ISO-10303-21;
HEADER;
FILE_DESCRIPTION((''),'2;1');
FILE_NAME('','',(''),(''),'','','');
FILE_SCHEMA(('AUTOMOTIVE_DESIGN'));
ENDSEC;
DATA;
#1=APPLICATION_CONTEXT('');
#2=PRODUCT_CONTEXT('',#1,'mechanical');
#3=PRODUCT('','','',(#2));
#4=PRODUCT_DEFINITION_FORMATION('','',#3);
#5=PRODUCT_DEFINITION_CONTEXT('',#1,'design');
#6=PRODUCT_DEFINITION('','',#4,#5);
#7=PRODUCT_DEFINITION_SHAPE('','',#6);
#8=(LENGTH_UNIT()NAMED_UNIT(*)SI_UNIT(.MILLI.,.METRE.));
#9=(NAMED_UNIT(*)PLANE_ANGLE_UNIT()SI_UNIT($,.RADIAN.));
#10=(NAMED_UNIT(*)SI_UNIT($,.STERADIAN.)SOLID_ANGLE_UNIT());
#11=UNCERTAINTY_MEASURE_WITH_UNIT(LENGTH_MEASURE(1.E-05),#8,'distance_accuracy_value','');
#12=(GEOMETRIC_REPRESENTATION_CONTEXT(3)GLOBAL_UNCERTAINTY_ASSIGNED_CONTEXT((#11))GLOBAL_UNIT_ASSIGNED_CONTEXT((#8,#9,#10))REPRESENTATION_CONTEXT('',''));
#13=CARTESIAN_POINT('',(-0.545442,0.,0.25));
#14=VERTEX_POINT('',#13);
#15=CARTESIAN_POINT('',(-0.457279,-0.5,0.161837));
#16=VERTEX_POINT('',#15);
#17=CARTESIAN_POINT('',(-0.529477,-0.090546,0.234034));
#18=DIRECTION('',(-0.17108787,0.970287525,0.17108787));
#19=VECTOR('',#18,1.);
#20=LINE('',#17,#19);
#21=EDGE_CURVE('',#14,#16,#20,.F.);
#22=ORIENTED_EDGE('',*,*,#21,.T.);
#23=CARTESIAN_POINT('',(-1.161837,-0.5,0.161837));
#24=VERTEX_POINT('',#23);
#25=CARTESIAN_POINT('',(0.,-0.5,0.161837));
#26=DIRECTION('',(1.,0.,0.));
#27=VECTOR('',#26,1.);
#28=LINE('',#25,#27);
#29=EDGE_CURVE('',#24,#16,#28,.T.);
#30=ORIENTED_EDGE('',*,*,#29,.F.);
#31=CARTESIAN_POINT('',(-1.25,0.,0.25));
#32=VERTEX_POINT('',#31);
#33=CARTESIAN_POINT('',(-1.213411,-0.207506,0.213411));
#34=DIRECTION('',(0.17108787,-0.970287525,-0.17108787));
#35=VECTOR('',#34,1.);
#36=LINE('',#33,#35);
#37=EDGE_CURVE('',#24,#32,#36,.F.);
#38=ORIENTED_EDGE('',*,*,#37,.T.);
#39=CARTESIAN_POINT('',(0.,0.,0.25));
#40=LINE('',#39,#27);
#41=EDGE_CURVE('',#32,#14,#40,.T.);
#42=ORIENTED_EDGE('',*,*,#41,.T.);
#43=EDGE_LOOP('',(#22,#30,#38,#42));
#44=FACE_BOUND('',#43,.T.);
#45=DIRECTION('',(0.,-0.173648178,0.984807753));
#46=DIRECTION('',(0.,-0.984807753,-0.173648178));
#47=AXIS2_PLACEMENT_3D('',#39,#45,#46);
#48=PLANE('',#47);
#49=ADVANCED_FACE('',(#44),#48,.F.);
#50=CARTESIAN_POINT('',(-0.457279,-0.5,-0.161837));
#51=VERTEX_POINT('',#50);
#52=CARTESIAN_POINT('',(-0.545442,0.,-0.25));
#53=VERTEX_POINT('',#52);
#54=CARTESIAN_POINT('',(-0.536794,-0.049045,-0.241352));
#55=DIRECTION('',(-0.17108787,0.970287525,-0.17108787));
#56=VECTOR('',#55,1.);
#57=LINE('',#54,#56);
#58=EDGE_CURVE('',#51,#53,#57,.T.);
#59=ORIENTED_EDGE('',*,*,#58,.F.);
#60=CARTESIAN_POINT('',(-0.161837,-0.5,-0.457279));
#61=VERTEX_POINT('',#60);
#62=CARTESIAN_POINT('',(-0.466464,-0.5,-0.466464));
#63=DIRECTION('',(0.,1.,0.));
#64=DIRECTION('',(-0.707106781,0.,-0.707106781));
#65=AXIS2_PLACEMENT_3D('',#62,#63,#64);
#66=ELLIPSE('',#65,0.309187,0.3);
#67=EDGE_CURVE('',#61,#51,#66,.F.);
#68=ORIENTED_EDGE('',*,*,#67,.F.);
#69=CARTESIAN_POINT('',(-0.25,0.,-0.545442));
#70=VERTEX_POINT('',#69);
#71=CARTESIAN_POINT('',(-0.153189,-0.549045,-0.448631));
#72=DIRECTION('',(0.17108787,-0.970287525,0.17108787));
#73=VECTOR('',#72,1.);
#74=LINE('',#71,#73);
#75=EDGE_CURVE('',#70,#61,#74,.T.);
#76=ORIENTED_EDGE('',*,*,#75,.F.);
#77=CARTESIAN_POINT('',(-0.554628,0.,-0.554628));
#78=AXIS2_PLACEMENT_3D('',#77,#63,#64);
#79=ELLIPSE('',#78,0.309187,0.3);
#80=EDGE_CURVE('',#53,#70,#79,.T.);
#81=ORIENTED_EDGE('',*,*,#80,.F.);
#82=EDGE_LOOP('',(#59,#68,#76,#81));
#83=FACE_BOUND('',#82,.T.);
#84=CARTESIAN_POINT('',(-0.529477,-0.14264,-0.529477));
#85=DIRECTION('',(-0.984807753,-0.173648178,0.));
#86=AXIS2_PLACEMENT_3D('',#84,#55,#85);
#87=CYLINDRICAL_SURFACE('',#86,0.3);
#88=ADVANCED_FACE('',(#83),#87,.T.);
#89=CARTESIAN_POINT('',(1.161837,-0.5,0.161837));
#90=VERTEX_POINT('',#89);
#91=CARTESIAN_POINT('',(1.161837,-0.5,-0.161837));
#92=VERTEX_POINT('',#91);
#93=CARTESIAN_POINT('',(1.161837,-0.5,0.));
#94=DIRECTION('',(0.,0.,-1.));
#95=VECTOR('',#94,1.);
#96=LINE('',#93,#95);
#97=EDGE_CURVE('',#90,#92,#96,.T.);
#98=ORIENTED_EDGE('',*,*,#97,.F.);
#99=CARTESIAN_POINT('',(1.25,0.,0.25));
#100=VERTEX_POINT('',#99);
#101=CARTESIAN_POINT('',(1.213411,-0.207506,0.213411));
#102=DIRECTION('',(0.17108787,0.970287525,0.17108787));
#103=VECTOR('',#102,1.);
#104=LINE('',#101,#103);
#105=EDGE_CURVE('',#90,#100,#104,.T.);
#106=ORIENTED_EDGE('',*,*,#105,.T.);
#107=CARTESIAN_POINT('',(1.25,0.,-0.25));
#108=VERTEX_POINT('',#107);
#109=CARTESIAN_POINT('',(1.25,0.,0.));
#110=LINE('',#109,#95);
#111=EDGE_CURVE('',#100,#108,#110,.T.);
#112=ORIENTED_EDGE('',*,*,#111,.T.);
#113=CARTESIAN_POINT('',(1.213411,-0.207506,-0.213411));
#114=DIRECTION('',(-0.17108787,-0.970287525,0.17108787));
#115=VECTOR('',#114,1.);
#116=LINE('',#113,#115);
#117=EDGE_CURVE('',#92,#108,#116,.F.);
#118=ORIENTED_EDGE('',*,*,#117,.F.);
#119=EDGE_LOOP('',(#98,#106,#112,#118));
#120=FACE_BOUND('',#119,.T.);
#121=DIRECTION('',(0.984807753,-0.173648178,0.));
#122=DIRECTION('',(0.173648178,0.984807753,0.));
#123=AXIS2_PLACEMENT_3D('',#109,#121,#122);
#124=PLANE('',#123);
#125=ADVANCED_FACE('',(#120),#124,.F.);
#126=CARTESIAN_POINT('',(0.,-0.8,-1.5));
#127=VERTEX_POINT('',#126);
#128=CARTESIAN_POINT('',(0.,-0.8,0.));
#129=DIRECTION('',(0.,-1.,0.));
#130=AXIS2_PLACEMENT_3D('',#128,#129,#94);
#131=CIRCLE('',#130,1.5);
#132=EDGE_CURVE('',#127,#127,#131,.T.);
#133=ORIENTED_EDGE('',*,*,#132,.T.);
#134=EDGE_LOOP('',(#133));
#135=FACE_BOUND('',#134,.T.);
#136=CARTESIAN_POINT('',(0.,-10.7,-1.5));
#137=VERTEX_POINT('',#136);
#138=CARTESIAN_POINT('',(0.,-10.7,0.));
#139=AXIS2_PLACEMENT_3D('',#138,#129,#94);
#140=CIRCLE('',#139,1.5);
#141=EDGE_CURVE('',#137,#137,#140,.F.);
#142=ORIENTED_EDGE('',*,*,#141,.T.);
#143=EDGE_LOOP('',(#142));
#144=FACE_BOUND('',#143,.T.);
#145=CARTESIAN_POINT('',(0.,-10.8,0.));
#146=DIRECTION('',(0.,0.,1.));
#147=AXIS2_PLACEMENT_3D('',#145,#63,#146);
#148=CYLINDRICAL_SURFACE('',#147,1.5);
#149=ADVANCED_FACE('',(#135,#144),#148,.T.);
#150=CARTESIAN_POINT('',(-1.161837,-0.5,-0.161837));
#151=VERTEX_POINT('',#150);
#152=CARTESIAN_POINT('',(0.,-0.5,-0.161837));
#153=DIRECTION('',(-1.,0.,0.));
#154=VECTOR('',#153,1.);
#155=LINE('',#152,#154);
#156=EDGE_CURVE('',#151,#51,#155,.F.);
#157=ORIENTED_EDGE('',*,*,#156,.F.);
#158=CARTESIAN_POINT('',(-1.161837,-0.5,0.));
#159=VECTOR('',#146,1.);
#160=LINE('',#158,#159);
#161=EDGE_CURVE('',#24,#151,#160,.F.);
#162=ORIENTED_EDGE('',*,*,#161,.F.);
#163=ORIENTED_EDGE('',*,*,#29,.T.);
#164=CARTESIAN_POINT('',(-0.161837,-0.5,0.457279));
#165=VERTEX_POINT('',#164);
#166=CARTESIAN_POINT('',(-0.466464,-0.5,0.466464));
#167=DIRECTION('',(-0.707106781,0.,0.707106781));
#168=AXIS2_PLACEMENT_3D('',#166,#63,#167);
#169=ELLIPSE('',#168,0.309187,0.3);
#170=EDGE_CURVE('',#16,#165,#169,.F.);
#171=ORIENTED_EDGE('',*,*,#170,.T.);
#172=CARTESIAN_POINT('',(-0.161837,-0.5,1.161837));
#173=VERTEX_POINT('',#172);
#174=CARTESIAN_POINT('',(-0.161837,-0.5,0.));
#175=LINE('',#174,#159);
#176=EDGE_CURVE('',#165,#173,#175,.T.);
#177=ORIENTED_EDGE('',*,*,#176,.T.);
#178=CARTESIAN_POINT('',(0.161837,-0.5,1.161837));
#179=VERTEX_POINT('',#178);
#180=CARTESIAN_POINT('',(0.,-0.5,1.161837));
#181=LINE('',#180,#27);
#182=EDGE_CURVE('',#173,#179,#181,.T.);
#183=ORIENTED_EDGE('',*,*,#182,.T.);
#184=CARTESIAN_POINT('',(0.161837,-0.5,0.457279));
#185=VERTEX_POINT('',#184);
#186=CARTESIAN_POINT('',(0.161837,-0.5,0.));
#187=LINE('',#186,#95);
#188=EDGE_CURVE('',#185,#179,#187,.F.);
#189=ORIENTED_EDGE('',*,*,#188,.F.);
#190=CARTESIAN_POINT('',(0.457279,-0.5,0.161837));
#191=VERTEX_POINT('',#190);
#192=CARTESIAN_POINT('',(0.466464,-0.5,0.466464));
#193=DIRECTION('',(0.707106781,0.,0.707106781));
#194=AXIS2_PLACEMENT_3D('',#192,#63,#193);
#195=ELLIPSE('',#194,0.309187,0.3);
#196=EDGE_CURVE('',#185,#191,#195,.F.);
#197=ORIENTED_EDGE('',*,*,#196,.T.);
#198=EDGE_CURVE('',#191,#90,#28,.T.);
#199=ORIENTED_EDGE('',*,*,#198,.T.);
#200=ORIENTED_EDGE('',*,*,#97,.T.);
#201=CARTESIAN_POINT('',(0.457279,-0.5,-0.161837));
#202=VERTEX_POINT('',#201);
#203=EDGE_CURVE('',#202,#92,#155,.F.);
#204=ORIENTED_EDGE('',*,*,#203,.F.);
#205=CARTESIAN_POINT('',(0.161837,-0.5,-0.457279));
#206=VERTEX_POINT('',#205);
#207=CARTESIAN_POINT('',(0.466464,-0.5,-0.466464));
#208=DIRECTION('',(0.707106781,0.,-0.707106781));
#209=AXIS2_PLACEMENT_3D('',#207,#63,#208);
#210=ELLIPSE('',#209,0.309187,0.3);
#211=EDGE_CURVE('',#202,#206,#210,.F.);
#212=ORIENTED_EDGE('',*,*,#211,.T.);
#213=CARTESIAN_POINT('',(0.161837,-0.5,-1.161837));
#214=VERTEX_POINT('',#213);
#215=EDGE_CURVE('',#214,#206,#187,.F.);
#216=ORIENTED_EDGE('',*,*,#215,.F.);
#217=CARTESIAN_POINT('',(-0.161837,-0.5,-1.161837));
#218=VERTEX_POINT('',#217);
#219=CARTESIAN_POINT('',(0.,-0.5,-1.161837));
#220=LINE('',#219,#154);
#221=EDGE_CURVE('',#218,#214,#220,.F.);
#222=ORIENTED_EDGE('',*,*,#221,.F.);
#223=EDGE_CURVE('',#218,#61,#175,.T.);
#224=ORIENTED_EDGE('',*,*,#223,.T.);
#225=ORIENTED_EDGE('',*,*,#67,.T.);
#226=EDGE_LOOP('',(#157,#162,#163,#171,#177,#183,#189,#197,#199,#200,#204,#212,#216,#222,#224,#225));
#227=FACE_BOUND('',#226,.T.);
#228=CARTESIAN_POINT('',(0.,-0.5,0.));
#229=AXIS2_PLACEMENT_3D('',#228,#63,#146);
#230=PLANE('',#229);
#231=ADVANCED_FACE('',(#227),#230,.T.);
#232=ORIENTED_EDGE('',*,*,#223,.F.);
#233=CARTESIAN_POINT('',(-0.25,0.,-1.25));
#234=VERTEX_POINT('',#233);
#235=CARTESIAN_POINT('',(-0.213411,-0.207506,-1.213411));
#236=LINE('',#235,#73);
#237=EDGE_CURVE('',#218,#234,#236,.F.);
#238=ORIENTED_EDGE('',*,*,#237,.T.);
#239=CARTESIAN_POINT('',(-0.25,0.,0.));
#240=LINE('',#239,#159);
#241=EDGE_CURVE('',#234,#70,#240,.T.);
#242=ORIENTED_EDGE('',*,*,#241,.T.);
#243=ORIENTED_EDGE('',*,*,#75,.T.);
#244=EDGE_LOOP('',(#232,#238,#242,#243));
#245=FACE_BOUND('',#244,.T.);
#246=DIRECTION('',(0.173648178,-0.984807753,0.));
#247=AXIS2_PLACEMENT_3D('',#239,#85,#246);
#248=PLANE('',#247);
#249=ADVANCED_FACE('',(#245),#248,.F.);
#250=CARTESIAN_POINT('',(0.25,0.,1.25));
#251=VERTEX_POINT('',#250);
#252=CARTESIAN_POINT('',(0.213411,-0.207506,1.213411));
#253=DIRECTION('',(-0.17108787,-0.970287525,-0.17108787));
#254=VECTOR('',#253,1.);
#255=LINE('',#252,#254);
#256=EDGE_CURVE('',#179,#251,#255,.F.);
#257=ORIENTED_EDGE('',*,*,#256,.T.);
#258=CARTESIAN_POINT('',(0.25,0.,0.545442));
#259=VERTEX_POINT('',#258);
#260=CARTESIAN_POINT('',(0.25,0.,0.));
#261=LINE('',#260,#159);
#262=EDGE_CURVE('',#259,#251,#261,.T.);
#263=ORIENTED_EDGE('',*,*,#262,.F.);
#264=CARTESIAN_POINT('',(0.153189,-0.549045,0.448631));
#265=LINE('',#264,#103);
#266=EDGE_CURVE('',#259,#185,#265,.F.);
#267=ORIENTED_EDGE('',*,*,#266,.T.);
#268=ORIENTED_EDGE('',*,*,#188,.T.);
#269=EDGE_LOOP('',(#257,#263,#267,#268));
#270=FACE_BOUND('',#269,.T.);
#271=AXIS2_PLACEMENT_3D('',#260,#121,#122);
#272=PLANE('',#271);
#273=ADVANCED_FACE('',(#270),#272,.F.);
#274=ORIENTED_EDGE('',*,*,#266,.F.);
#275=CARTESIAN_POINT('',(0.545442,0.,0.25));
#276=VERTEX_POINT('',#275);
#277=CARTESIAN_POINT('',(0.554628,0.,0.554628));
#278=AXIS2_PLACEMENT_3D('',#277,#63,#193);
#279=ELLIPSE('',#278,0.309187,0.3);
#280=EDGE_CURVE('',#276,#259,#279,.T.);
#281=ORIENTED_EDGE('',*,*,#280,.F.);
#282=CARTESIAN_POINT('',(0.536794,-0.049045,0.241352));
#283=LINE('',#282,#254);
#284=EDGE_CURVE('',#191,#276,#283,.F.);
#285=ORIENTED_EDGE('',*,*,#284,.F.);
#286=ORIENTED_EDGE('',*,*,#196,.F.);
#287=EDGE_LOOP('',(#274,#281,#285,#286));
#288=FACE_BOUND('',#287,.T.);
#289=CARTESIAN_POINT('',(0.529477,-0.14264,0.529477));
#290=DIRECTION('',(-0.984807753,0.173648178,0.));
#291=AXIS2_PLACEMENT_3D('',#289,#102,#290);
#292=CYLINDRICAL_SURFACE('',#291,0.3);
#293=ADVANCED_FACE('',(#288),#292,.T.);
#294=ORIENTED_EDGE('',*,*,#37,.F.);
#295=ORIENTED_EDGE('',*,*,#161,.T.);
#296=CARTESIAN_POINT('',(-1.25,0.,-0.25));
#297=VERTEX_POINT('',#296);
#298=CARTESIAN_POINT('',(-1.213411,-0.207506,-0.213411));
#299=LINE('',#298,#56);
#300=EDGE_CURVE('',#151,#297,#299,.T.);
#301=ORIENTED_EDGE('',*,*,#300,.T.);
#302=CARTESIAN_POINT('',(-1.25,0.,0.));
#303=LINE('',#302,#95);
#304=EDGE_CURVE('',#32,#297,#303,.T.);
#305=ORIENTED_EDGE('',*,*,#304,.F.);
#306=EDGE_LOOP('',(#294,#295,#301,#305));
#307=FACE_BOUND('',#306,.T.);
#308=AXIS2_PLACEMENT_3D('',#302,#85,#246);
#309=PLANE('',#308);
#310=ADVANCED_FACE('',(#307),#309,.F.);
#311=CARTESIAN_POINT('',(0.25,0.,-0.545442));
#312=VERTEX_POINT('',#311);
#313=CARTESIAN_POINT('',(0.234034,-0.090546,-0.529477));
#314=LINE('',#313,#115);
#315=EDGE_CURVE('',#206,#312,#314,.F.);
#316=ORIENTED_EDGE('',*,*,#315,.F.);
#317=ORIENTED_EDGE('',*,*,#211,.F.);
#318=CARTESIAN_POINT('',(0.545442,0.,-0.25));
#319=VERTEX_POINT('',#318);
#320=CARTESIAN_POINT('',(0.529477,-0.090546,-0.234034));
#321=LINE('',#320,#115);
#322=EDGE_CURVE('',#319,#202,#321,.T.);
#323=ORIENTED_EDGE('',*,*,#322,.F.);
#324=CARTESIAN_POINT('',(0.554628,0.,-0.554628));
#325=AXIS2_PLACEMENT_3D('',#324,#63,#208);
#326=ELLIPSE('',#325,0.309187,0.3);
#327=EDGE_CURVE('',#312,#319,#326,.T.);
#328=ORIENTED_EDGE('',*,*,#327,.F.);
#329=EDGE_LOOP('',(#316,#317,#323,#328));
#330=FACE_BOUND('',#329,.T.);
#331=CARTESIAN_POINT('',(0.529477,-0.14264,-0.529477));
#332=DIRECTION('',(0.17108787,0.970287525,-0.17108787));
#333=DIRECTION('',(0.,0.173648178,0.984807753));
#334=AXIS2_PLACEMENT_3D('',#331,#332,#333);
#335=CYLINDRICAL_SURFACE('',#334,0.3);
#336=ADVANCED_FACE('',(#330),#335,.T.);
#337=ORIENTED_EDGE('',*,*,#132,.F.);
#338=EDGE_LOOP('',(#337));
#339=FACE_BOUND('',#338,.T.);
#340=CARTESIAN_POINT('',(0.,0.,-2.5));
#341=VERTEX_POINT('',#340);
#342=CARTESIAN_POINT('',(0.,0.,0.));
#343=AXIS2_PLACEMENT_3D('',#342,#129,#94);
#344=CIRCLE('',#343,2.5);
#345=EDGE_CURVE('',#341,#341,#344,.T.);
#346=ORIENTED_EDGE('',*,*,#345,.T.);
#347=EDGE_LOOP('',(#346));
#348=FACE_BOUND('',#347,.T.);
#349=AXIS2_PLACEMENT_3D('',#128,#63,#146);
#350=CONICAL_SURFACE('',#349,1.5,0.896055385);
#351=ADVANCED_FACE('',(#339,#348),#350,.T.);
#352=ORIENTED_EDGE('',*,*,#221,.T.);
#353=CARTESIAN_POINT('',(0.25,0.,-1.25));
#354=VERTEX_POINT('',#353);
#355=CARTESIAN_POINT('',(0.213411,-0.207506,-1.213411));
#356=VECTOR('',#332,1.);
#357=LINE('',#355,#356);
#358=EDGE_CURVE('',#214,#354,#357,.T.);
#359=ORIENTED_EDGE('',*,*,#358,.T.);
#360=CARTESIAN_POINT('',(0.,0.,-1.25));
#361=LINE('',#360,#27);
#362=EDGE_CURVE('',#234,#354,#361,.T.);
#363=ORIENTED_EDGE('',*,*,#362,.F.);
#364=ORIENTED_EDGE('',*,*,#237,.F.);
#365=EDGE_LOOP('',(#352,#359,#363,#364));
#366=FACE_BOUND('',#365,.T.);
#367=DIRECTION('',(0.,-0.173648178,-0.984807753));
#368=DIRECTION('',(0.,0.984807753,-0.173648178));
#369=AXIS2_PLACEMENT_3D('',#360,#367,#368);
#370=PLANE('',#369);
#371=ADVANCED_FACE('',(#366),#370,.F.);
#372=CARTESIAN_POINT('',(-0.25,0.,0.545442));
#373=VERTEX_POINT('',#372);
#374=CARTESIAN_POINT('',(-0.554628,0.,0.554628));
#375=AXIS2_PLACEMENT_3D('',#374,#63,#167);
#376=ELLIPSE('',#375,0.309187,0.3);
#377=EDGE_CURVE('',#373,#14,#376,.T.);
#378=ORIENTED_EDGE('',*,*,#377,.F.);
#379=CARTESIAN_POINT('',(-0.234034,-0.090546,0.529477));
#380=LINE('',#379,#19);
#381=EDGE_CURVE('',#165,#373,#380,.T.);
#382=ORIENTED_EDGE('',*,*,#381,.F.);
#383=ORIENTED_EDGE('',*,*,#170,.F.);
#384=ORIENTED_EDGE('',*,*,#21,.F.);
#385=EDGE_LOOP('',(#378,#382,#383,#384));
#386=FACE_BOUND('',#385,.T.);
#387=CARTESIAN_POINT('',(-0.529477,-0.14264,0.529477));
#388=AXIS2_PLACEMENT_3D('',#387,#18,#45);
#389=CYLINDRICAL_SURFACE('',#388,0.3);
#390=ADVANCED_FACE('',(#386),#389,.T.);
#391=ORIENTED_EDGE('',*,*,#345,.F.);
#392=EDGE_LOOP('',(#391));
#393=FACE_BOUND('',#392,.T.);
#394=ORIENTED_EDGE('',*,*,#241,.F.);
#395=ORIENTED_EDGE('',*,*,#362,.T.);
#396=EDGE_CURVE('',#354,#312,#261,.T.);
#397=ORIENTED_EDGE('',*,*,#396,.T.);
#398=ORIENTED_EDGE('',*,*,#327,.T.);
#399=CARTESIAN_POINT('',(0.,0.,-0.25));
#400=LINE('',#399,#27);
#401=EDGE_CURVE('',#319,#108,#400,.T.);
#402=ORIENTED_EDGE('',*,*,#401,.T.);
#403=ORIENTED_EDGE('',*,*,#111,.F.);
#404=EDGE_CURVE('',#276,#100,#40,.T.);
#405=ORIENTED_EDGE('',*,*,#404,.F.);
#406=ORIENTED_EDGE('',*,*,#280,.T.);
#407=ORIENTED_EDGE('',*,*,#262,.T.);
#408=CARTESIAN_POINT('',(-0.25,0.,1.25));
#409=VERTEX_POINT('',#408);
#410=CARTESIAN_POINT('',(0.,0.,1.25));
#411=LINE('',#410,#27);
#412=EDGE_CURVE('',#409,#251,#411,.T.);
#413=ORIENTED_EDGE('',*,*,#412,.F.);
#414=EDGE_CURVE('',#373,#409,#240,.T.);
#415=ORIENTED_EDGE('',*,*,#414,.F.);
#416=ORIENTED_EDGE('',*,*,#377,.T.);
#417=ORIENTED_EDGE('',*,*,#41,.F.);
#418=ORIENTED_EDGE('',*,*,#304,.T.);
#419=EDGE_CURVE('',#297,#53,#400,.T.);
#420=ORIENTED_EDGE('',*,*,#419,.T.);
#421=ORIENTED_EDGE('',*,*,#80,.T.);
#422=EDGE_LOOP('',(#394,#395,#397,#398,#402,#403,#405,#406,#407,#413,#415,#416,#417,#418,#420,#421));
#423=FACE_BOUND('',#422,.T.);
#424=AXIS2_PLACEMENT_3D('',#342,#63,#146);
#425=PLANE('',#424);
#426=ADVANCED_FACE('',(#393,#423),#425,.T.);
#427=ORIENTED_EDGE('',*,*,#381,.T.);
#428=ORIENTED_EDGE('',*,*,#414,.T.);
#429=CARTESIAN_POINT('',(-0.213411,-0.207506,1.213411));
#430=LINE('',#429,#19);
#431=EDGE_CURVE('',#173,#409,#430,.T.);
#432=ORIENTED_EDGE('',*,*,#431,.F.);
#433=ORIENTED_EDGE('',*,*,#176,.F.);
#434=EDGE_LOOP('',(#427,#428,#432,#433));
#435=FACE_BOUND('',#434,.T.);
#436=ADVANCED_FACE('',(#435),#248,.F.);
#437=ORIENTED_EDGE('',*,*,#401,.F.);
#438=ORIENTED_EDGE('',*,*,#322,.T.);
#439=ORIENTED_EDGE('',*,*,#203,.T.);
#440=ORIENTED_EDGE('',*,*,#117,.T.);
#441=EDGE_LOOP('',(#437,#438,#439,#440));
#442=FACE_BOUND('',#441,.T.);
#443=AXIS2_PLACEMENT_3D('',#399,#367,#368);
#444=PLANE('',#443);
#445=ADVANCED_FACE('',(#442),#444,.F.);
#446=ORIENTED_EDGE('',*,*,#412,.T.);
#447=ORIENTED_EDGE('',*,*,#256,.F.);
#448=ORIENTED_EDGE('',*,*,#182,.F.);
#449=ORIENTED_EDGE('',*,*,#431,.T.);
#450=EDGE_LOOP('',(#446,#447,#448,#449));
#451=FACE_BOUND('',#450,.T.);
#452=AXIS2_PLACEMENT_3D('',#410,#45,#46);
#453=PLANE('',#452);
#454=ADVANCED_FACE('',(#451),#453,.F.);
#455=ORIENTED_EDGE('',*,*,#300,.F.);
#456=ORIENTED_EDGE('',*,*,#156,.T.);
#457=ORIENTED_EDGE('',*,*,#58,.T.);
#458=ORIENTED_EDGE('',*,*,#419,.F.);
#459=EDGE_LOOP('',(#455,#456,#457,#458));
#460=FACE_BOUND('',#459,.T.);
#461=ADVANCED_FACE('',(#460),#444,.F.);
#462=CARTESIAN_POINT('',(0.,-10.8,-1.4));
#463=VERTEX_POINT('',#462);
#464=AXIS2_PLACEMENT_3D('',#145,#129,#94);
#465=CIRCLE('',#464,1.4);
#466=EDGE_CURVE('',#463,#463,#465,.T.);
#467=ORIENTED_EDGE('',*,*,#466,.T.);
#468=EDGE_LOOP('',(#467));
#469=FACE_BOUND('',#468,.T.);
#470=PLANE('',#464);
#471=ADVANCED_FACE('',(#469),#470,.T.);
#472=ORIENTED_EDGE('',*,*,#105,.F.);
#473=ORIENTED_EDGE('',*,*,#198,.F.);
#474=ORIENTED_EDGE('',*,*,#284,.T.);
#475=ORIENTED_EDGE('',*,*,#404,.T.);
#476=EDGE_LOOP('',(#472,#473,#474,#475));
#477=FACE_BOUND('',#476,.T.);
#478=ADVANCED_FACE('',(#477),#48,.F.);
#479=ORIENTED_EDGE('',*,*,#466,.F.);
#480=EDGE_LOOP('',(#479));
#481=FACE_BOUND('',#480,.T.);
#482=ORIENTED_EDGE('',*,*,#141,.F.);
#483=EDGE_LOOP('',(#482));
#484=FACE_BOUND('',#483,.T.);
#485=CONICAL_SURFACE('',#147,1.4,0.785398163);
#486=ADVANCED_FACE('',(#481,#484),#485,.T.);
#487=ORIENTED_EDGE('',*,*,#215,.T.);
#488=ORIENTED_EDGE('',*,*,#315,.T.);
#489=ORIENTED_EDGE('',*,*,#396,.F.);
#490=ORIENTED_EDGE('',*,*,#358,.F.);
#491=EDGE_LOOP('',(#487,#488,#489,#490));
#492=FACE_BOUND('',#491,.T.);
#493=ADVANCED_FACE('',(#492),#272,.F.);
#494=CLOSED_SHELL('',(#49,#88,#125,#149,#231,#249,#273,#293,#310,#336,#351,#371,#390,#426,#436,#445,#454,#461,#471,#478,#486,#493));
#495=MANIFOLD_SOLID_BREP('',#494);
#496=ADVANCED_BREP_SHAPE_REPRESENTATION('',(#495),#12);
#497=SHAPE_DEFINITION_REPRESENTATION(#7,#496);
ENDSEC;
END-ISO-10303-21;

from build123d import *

# Parameters (mm, degrees)
SKETCH_2_R                    = 1.5
EXTRUDE_1_DEPTH               = 10
CHAMFER_1_SIZE                = 0.1
SKETCH_3_W                    = 2.5
SKETCH_3_H                    = 0.5
CUT_EXTRUDE_1_DEPTH           = 0.5
CUT_EXTRUDE_1_DRAFT           = -10
SKETCH_3_W_2                  = 0.5
SKETCH_3_H_2                  = 2.5
CUT_EXTRUDE_1_PROFILE_2_DEPTH = 0.5
CUT_EXTRUDE_1_PROFILE_2_DRAFT = -10
FILLET_1_R                    = 0.3


with BuildPart() as part:
    # 草图1 → 旋转1 (revolve)
    with BuildSketch(Plane.XY, mode=Mode.PRIVATE) as revolve_1_sk:
        Polygon((0, 0), (2.5, 0), (1.5, -0.8), (0, -0.8), align=None)
    revolve(revolve_1_sk.sketch.rotate(Axis((0, -0.8, 0), (0, 1, 0)), 90), axis=Axis((0, -0.8, 0), (0, 1, 0)))

    # 草图2 → 凸台-拉伸1 (add)
    with BuildSketch(Plane.XZ.offset(0.8)):
        with Locations(Location((0, 0, 0), (0, 0, 270))):
            Circle(SKETCH_2_R)
    extrude(amount=EXTRUDE_1_DEPTH)

    # 倒角1
    chamfer_1_edges = [part.edges().sort_by_distance(p)[0] for p in [
        (0, -10.8, 1.5),
    ]]
    chamfer(chamfer_1_edges, length=CHAMFER_1_SIZE)


with BuildPart() as cut_extrude_1_tool:
    # 草图3 → 切除-拉伸1 (with draft: the straight prism first)
    with BuildSketch(Plane(origin=(0, 0, 0), x_dir=(1, 0, 0), z_dir=(0, 1, 0))):
        Rectangle(SKETCH_3_W, SKETCH_3_H)
    extrude(amount=-CUT_EXTRUDE_1_DEPTH)
    # 切除-拉伸1: the draft: its side faces are tilted about the plane it starts from
    cut_extrude_1_sides = [cut_extrude_1_tool.faces().sort_by_distance(p)[0] for p in [
        (0, -0.25, 0.25),
        (1.25, -0.25, 0),
        (0, -0.25, -0.25),
        (-1.25, -0.25, 0),
    ]]
    draft(cut_extrude_1_sides, Plane(origin=(0, 0, 0), x_dir=(1, 0, 0), z_dir=(0, 1, 0)), CUT_EXTRUDE_1_DRAFT)


with BuildPart() as part_1:
    add(part.part)

    # 切除-拉伸1: cut by cut_extrude_1_tool
    add(cut_extrude_1_tool.part, mode=Mode.SUBTRACT)


with BuildPart() as cut_extrude_1_profile_2_tool:
    # 草图3 → 切除-拉伸1 profile 2 (with draft: the straight prism first)
    with BuildSketch(Plane(origin=(0, 0, 0), x_dir=(1, 0, 0), z_dir=(0, 1, 0))):
        Rectangle(SKETCH_3_W_2, SKETCH_3_H_2)
    extrude(amount=-CUT_EXTRUDE_1_PROFILE_2_DEPTH)
    # 切除-拉伸1 profile 2: the draft: its side faces are tilted about the plane it starts from
    cut_extrude_1_profile_2_sides = [cut_extrude_1_profile_2_tool.faces().sort_by_distance(p)[0] for p in [
        (-0.25, -0.25, 0),
        (0, -0.25, 1.25),
        (0.25, -0.25, 0),
        (0, -0.25, -1.25),
    ]]
    draft(cut_extrude_1_profile_2_sides, Plane(origin=(0, 0, 0), x_dir=(1, 0, 0), z_dir=(0, 1, 0)), CUT_EXTRUDE_1_PROFILE_2_DRAFT)


with BuildPart() as part_2:
    add(part_1.part)

    # 切除-拉伸1 profile 2: cut by cut_extrude_1_profile_2_tool
    add(cut_extrude_1_profile_2_tool.part, mode=Mode.SUBTRACT)

    # 圆角1
    fillet_1_edges = [part_2.edges().sort_by_distance(p)[0] for p in [
        (0.205918255, -0.25, -0.205918255),
        (0.205918255, -0.25, 0.205918255),
        (-0.205918255, -0.25, 0.205918255),
        (-0.205918255, -0.25, -0.205918255),
    ]]
    fillet(fillet_1_edges, radius=FILLET_1_R)


solid = part_2.part
